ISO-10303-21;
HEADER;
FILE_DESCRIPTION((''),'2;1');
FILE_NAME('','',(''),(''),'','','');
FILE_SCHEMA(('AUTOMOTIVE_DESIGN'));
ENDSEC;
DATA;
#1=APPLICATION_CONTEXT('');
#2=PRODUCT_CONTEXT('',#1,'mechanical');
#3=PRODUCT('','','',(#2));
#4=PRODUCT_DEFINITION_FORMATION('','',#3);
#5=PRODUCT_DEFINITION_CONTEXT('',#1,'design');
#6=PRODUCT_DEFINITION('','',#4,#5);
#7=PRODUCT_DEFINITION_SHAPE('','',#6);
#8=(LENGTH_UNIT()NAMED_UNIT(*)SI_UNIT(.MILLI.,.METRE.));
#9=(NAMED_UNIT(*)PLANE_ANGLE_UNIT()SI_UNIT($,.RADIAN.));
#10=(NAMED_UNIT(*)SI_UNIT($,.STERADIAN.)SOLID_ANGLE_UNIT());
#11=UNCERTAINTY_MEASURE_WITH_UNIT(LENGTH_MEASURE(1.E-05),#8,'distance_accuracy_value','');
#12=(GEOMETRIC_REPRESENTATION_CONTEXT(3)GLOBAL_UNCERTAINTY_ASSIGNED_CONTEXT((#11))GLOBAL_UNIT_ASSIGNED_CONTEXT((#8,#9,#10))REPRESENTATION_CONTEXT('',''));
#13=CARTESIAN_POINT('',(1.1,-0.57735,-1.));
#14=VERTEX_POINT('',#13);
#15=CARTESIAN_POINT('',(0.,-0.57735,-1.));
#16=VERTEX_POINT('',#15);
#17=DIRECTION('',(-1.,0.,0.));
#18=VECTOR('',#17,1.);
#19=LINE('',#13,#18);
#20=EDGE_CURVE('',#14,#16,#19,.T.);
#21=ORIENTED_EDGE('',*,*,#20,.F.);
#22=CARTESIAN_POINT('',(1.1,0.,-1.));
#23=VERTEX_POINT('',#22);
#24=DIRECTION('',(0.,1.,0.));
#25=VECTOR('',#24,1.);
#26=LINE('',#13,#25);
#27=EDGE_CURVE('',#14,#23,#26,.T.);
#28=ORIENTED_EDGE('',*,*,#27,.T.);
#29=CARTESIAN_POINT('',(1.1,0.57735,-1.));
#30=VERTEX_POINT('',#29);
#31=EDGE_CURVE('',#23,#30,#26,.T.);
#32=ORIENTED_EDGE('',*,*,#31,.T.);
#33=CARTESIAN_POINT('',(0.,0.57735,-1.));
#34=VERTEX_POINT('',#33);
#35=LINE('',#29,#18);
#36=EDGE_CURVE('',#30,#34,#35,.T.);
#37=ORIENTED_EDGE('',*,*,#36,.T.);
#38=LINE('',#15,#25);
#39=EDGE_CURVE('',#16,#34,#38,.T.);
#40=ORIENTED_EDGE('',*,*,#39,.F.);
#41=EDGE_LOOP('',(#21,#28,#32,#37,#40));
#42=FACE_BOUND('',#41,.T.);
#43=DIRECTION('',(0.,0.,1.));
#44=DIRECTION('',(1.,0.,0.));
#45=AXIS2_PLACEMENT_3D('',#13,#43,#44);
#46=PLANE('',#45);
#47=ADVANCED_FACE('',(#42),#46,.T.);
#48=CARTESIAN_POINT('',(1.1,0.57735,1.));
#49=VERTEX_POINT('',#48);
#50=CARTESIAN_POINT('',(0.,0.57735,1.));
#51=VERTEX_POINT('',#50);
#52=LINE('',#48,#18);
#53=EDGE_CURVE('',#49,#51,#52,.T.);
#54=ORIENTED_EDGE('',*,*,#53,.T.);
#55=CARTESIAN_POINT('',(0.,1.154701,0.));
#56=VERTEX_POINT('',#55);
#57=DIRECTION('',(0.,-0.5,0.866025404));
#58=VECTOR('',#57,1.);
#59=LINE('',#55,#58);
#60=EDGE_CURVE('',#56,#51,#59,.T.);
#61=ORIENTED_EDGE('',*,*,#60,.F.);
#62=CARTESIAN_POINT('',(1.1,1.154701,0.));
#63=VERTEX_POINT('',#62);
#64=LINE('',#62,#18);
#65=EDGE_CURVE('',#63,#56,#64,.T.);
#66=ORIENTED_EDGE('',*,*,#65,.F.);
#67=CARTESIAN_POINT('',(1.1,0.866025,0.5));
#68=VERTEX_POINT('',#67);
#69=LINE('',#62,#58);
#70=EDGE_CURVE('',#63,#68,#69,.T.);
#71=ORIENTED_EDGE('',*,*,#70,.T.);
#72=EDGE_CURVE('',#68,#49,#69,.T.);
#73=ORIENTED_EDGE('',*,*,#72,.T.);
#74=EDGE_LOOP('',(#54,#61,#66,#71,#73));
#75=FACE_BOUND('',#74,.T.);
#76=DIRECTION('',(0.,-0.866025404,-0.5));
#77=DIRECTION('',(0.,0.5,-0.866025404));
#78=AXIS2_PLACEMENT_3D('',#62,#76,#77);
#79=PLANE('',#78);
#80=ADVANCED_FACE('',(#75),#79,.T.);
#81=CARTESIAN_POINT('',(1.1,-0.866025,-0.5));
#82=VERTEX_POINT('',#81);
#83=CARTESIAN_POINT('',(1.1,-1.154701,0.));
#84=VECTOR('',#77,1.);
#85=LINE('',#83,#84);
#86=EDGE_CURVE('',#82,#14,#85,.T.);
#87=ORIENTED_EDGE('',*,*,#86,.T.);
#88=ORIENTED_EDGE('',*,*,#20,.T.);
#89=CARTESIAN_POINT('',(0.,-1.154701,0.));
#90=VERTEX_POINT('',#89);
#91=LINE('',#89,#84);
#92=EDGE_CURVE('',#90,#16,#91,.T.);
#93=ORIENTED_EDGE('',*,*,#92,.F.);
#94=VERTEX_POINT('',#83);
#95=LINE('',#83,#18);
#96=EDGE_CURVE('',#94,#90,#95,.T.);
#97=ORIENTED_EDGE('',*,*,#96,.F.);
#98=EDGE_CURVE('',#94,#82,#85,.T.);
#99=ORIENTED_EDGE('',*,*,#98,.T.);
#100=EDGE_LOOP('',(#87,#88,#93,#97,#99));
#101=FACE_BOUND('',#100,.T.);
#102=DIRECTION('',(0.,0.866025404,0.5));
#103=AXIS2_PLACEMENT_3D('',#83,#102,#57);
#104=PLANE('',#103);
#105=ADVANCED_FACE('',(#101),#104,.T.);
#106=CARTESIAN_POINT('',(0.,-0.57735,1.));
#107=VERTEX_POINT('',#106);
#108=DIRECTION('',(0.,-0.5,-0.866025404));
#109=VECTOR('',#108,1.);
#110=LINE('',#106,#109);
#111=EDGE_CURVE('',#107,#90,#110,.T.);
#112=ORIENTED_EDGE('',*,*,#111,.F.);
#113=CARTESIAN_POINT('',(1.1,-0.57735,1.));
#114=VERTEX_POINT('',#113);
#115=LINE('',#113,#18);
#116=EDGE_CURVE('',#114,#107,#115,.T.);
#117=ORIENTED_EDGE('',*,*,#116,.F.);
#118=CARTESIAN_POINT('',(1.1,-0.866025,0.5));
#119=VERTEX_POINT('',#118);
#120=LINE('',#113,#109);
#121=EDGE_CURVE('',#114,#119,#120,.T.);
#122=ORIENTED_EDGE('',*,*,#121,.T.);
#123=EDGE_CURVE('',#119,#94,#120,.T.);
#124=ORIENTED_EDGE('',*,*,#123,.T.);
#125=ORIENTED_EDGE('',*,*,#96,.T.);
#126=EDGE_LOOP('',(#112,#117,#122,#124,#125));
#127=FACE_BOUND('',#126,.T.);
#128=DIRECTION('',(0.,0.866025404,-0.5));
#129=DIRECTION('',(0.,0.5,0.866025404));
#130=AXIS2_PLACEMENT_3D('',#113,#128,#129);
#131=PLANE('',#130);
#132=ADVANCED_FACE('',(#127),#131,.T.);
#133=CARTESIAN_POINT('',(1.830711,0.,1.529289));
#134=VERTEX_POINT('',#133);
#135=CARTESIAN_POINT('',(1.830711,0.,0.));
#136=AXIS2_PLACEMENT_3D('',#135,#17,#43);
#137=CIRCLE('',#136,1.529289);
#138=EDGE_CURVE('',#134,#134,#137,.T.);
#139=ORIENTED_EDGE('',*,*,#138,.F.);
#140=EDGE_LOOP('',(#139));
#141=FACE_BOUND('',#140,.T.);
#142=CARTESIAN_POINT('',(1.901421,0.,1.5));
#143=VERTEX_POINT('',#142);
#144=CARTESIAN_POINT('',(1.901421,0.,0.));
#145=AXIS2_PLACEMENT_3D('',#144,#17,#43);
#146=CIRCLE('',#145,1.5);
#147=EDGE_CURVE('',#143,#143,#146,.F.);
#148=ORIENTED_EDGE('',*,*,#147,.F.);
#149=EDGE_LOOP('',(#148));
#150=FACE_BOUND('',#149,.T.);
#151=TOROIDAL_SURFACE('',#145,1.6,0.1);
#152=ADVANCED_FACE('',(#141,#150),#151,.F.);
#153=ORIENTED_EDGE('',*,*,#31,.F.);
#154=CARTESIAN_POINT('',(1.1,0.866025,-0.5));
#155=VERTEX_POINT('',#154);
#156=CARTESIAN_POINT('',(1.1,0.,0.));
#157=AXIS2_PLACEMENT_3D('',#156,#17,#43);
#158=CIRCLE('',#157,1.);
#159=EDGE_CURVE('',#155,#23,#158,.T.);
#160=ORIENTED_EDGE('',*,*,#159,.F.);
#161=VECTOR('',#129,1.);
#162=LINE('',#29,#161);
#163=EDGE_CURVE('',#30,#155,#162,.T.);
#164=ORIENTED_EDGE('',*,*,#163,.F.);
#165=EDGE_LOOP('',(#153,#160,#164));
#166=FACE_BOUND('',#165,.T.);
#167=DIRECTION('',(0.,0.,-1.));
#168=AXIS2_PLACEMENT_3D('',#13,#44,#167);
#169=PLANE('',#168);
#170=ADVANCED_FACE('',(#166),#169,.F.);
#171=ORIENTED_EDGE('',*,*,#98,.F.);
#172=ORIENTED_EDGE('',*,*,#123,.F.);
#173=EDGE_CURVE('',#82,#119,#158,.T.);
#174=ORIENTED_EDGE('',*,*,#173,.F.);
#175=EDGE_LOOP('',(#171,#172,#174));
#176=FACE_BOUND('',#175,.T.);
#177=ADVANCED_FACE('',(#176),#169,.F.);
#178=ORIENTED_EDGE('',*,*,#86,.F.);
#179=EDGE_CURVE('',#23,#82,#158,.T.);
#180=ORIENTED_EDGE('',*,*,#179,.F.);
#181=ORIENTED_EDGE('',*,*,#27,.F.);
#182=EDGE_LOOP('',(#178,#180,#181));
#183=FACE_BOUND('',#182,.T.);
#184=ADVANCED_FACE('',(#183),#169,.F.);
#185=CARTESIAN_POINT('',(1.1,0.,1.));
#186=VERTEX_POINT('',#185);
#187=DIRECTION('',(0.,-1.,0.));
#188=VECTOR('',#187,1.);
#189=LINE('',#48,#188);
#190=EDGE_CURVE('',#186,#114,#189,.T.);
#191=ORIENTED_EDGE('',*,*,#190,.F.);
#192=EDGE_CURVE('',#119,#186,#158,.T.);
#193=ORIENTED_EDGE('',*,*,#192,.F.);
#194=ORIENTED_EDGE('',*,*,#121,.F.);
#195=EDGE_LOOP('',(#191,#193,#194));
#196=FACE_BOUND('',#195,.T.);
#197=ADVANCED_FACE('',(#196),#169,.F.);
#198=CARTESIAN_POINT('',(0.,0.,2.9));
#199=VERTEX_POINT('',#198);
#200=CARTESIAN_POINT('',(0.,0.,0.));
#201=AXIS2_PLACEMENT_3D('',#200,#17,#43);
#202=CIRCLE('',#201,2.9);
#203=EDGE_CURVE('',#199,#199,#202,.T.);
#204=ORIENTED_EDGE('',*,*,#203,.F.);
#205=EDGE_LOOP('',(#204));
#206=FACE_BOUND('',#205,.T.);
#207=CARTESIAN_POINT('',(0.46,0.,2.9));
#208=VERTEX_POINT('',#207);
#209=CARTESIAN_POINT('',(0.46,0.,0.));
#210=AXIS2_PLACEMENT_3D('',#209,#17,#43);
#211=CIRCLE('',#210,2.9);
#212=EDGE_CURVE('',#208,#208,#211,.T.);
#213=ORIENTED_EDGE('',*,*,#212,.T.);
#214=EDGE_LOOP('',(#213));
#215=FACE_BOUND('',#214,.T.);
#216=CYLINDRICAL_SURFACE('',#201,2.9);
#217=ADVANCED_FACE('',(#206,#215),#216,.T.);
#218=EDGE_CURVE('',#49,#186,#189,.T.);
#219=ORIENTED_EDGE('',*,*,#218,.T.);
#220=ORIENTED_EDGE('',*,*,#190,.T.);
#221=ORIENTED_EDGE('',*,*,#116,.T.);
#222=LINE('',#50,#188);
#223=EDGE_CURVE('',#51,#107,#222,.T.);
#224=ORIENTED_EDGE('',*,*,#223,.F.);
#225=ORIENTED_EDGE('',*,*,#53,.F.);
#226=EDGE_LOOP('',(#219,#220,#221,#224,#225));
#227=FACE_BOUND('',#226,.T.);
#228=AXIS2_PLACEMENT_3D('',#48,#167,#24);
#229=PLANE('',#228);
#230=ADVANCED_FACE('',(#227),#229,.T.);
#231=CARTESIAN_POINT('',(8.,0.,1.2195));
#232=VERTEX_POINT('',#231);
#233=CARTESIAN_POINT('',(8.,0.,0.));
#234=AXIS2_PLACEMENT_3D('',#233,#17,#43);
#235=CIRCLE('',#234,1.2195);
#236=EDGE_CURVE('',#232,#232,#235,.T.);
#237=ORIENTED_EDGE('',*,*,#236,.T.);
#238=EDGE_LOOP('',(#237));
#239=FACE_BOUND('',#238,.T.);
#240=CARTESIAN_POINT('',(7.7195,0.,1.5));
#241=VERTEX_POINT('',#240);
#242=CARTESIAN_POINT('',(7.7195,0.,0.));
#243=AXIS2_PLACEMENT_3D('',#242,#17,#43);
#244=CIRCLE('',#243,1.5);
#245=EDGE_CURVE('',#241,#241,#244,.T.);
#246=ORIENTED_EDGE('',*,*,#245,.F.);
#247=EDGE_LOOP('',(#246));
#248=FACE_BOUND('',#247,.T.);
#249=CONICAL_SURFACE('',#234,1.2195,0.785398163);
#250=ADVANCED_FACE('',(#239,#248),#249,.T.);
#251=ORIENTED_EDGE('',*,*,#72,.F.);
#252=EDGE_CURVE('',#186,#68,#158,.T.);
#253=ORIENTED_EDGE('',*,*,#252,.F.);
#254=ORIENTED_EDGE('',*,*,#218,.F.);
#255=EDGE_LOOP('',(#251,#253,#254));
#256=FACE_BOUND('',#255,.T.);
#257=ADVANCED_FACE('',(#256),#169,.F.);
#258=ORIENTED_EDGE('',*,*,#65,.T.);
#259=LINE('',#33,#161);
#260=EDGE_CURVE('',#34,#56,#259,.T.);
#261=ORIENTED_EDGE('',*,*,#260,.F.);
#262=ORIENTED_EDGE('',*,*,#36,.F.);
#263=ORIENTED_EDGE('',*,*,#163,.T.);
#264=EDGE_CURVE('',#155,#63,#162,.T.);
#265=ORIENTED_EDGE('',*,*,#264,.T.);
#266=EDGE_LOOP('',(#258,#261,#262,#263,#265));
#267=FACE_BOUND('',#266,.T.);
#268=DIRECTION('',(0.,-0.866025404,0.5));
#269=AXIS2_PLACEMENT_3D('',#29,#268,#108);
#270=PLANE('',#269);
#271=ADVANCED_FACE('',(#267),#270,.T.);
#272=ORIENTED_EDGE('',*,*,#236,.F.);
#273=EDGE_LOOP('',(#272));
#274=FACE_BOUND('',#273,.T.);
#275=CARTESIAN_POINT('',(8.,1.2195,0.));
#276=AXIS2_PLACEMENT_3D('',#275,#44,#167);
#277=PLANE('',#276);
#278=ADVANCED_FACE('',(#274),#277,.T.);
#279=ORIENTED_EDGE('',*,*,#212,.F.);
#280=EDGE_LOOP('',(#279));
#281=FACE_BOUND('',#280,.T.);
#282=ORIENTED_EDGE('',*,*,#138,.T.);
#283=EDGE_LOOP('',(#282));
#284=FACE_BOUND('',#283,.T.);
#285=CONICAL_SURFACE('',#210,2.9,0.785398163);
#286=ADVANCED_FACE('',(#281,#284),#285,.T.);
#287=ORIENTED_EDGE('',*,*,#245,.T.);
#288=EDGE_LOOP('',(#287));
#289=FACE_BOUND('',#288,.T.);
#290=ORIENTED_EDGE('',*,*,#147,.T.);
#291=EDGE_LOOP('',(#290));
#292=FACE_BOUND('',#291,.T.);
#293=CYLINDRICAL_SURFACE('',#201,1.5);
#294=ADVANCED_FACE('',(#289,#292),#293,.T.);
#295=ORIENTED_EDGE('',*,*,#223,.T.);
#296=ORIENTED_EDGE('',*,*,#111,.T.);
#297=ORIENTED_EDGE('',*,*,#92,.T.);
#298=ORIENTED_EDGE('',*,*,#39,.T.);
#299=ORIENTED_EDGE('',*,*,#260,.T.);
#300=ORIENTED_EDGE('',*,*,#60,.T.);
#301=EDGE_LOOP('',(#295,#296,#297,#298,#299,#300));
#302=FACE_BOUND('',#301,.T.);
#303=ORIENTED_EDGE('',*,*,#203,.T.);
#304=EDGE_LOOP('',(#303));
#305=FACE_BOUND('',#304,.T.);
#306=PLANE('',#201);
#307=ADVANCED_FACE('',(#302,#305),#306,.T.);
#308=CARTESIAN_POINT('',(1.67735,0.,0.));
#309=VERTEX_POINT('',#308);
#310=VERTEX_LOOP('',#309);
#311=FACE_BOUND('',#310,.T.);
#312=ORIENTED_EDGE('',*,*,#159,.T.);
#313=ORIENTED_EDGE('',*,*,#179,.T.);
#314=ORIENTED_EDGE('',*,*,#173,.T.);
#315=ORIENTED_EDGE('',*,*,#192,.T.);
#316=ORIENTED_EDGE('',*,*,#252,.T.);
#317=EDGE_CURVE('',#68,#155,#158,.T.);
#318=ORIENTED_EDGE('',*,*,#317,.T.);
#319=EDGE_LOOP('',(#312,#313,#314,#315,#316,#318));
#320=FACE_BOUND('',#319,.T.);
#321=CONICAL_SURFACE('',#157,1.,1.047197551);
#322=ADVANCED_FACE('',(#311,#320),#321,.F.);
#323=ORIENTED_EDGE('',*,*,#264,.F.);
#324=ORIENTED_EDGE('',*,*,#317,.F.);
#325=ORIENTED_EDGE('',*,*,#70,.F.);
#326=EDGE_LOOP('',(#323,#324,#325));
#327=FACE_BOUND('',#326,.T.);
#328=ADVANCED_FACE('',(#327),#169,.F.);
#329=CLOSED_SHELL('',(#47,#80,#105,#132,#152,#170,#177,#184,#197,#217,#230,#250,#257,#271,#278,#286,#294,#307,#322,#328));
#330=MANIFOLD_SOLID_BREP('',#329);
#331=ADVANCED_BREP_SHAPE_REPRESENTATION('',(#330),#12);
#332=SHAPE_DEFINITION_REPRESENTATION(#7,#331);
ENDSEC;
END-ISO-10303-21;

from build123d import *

# Parameters (mm, degrees)
FILLET1_R   = 0.1
HEX_2_DEPTH = 1.1


with BuildPart() as part:
    # BodySke → BaseBody (revolve)
    with BuildSketch(Plane.XY, mode=Mode.PRIVATE) as basebody_sk:
        Polygon((0, 0), (0, 2.9), (0.46, 2.9), (1.86, 1.5), (7.7195, 1.5), (8, 1.2195), (8, 0), align=None)
    revolve(basebody_sk.sketch.rotate(Axis((0, 0, 0), (1, 0, 0)), 90), axis=Axis((0, 0, 0), (1, 0, 0)))

    # Fillet1
    fillet1_edges = [part.edges().sort_by_distance(p)[0] for p in [
        (1.86, 0, -1.5),
    ]]
    fillet(fillet1_edges, radius=FILLET1_R)

    # Sketch2 → PreBroach (revolve, cut)
    with BuildSketch(Plane.XY, mode=Mode.PRIVATE) as prebroach_sk:
        Polygon((0, 1), (1.1, 1), (1.677350269, 0), (0, 0), align=None)
    revolve(prebroach_sk.sketch.rotate(Axis((0, 0, 0), (1, 0, 0)), 90), axis=Axis((0, 0, 0), (1, 0, 0)), mode=Mode.SUBTRACT)

    # Sketch3 → Hex 2 (cut)
    with BuildSketch(Plane.ZY):
        Polygon((-1, -0.577350269), (-1, 0.577350269), (0, 1.154700538), (1, 0.577350269), (1, -0.577350269), (0, -1.154700538), align=None)
    extrude(amount=-HEX_2_DEPTH, mode=Mode.SUBTRACT)


solid = part.part
